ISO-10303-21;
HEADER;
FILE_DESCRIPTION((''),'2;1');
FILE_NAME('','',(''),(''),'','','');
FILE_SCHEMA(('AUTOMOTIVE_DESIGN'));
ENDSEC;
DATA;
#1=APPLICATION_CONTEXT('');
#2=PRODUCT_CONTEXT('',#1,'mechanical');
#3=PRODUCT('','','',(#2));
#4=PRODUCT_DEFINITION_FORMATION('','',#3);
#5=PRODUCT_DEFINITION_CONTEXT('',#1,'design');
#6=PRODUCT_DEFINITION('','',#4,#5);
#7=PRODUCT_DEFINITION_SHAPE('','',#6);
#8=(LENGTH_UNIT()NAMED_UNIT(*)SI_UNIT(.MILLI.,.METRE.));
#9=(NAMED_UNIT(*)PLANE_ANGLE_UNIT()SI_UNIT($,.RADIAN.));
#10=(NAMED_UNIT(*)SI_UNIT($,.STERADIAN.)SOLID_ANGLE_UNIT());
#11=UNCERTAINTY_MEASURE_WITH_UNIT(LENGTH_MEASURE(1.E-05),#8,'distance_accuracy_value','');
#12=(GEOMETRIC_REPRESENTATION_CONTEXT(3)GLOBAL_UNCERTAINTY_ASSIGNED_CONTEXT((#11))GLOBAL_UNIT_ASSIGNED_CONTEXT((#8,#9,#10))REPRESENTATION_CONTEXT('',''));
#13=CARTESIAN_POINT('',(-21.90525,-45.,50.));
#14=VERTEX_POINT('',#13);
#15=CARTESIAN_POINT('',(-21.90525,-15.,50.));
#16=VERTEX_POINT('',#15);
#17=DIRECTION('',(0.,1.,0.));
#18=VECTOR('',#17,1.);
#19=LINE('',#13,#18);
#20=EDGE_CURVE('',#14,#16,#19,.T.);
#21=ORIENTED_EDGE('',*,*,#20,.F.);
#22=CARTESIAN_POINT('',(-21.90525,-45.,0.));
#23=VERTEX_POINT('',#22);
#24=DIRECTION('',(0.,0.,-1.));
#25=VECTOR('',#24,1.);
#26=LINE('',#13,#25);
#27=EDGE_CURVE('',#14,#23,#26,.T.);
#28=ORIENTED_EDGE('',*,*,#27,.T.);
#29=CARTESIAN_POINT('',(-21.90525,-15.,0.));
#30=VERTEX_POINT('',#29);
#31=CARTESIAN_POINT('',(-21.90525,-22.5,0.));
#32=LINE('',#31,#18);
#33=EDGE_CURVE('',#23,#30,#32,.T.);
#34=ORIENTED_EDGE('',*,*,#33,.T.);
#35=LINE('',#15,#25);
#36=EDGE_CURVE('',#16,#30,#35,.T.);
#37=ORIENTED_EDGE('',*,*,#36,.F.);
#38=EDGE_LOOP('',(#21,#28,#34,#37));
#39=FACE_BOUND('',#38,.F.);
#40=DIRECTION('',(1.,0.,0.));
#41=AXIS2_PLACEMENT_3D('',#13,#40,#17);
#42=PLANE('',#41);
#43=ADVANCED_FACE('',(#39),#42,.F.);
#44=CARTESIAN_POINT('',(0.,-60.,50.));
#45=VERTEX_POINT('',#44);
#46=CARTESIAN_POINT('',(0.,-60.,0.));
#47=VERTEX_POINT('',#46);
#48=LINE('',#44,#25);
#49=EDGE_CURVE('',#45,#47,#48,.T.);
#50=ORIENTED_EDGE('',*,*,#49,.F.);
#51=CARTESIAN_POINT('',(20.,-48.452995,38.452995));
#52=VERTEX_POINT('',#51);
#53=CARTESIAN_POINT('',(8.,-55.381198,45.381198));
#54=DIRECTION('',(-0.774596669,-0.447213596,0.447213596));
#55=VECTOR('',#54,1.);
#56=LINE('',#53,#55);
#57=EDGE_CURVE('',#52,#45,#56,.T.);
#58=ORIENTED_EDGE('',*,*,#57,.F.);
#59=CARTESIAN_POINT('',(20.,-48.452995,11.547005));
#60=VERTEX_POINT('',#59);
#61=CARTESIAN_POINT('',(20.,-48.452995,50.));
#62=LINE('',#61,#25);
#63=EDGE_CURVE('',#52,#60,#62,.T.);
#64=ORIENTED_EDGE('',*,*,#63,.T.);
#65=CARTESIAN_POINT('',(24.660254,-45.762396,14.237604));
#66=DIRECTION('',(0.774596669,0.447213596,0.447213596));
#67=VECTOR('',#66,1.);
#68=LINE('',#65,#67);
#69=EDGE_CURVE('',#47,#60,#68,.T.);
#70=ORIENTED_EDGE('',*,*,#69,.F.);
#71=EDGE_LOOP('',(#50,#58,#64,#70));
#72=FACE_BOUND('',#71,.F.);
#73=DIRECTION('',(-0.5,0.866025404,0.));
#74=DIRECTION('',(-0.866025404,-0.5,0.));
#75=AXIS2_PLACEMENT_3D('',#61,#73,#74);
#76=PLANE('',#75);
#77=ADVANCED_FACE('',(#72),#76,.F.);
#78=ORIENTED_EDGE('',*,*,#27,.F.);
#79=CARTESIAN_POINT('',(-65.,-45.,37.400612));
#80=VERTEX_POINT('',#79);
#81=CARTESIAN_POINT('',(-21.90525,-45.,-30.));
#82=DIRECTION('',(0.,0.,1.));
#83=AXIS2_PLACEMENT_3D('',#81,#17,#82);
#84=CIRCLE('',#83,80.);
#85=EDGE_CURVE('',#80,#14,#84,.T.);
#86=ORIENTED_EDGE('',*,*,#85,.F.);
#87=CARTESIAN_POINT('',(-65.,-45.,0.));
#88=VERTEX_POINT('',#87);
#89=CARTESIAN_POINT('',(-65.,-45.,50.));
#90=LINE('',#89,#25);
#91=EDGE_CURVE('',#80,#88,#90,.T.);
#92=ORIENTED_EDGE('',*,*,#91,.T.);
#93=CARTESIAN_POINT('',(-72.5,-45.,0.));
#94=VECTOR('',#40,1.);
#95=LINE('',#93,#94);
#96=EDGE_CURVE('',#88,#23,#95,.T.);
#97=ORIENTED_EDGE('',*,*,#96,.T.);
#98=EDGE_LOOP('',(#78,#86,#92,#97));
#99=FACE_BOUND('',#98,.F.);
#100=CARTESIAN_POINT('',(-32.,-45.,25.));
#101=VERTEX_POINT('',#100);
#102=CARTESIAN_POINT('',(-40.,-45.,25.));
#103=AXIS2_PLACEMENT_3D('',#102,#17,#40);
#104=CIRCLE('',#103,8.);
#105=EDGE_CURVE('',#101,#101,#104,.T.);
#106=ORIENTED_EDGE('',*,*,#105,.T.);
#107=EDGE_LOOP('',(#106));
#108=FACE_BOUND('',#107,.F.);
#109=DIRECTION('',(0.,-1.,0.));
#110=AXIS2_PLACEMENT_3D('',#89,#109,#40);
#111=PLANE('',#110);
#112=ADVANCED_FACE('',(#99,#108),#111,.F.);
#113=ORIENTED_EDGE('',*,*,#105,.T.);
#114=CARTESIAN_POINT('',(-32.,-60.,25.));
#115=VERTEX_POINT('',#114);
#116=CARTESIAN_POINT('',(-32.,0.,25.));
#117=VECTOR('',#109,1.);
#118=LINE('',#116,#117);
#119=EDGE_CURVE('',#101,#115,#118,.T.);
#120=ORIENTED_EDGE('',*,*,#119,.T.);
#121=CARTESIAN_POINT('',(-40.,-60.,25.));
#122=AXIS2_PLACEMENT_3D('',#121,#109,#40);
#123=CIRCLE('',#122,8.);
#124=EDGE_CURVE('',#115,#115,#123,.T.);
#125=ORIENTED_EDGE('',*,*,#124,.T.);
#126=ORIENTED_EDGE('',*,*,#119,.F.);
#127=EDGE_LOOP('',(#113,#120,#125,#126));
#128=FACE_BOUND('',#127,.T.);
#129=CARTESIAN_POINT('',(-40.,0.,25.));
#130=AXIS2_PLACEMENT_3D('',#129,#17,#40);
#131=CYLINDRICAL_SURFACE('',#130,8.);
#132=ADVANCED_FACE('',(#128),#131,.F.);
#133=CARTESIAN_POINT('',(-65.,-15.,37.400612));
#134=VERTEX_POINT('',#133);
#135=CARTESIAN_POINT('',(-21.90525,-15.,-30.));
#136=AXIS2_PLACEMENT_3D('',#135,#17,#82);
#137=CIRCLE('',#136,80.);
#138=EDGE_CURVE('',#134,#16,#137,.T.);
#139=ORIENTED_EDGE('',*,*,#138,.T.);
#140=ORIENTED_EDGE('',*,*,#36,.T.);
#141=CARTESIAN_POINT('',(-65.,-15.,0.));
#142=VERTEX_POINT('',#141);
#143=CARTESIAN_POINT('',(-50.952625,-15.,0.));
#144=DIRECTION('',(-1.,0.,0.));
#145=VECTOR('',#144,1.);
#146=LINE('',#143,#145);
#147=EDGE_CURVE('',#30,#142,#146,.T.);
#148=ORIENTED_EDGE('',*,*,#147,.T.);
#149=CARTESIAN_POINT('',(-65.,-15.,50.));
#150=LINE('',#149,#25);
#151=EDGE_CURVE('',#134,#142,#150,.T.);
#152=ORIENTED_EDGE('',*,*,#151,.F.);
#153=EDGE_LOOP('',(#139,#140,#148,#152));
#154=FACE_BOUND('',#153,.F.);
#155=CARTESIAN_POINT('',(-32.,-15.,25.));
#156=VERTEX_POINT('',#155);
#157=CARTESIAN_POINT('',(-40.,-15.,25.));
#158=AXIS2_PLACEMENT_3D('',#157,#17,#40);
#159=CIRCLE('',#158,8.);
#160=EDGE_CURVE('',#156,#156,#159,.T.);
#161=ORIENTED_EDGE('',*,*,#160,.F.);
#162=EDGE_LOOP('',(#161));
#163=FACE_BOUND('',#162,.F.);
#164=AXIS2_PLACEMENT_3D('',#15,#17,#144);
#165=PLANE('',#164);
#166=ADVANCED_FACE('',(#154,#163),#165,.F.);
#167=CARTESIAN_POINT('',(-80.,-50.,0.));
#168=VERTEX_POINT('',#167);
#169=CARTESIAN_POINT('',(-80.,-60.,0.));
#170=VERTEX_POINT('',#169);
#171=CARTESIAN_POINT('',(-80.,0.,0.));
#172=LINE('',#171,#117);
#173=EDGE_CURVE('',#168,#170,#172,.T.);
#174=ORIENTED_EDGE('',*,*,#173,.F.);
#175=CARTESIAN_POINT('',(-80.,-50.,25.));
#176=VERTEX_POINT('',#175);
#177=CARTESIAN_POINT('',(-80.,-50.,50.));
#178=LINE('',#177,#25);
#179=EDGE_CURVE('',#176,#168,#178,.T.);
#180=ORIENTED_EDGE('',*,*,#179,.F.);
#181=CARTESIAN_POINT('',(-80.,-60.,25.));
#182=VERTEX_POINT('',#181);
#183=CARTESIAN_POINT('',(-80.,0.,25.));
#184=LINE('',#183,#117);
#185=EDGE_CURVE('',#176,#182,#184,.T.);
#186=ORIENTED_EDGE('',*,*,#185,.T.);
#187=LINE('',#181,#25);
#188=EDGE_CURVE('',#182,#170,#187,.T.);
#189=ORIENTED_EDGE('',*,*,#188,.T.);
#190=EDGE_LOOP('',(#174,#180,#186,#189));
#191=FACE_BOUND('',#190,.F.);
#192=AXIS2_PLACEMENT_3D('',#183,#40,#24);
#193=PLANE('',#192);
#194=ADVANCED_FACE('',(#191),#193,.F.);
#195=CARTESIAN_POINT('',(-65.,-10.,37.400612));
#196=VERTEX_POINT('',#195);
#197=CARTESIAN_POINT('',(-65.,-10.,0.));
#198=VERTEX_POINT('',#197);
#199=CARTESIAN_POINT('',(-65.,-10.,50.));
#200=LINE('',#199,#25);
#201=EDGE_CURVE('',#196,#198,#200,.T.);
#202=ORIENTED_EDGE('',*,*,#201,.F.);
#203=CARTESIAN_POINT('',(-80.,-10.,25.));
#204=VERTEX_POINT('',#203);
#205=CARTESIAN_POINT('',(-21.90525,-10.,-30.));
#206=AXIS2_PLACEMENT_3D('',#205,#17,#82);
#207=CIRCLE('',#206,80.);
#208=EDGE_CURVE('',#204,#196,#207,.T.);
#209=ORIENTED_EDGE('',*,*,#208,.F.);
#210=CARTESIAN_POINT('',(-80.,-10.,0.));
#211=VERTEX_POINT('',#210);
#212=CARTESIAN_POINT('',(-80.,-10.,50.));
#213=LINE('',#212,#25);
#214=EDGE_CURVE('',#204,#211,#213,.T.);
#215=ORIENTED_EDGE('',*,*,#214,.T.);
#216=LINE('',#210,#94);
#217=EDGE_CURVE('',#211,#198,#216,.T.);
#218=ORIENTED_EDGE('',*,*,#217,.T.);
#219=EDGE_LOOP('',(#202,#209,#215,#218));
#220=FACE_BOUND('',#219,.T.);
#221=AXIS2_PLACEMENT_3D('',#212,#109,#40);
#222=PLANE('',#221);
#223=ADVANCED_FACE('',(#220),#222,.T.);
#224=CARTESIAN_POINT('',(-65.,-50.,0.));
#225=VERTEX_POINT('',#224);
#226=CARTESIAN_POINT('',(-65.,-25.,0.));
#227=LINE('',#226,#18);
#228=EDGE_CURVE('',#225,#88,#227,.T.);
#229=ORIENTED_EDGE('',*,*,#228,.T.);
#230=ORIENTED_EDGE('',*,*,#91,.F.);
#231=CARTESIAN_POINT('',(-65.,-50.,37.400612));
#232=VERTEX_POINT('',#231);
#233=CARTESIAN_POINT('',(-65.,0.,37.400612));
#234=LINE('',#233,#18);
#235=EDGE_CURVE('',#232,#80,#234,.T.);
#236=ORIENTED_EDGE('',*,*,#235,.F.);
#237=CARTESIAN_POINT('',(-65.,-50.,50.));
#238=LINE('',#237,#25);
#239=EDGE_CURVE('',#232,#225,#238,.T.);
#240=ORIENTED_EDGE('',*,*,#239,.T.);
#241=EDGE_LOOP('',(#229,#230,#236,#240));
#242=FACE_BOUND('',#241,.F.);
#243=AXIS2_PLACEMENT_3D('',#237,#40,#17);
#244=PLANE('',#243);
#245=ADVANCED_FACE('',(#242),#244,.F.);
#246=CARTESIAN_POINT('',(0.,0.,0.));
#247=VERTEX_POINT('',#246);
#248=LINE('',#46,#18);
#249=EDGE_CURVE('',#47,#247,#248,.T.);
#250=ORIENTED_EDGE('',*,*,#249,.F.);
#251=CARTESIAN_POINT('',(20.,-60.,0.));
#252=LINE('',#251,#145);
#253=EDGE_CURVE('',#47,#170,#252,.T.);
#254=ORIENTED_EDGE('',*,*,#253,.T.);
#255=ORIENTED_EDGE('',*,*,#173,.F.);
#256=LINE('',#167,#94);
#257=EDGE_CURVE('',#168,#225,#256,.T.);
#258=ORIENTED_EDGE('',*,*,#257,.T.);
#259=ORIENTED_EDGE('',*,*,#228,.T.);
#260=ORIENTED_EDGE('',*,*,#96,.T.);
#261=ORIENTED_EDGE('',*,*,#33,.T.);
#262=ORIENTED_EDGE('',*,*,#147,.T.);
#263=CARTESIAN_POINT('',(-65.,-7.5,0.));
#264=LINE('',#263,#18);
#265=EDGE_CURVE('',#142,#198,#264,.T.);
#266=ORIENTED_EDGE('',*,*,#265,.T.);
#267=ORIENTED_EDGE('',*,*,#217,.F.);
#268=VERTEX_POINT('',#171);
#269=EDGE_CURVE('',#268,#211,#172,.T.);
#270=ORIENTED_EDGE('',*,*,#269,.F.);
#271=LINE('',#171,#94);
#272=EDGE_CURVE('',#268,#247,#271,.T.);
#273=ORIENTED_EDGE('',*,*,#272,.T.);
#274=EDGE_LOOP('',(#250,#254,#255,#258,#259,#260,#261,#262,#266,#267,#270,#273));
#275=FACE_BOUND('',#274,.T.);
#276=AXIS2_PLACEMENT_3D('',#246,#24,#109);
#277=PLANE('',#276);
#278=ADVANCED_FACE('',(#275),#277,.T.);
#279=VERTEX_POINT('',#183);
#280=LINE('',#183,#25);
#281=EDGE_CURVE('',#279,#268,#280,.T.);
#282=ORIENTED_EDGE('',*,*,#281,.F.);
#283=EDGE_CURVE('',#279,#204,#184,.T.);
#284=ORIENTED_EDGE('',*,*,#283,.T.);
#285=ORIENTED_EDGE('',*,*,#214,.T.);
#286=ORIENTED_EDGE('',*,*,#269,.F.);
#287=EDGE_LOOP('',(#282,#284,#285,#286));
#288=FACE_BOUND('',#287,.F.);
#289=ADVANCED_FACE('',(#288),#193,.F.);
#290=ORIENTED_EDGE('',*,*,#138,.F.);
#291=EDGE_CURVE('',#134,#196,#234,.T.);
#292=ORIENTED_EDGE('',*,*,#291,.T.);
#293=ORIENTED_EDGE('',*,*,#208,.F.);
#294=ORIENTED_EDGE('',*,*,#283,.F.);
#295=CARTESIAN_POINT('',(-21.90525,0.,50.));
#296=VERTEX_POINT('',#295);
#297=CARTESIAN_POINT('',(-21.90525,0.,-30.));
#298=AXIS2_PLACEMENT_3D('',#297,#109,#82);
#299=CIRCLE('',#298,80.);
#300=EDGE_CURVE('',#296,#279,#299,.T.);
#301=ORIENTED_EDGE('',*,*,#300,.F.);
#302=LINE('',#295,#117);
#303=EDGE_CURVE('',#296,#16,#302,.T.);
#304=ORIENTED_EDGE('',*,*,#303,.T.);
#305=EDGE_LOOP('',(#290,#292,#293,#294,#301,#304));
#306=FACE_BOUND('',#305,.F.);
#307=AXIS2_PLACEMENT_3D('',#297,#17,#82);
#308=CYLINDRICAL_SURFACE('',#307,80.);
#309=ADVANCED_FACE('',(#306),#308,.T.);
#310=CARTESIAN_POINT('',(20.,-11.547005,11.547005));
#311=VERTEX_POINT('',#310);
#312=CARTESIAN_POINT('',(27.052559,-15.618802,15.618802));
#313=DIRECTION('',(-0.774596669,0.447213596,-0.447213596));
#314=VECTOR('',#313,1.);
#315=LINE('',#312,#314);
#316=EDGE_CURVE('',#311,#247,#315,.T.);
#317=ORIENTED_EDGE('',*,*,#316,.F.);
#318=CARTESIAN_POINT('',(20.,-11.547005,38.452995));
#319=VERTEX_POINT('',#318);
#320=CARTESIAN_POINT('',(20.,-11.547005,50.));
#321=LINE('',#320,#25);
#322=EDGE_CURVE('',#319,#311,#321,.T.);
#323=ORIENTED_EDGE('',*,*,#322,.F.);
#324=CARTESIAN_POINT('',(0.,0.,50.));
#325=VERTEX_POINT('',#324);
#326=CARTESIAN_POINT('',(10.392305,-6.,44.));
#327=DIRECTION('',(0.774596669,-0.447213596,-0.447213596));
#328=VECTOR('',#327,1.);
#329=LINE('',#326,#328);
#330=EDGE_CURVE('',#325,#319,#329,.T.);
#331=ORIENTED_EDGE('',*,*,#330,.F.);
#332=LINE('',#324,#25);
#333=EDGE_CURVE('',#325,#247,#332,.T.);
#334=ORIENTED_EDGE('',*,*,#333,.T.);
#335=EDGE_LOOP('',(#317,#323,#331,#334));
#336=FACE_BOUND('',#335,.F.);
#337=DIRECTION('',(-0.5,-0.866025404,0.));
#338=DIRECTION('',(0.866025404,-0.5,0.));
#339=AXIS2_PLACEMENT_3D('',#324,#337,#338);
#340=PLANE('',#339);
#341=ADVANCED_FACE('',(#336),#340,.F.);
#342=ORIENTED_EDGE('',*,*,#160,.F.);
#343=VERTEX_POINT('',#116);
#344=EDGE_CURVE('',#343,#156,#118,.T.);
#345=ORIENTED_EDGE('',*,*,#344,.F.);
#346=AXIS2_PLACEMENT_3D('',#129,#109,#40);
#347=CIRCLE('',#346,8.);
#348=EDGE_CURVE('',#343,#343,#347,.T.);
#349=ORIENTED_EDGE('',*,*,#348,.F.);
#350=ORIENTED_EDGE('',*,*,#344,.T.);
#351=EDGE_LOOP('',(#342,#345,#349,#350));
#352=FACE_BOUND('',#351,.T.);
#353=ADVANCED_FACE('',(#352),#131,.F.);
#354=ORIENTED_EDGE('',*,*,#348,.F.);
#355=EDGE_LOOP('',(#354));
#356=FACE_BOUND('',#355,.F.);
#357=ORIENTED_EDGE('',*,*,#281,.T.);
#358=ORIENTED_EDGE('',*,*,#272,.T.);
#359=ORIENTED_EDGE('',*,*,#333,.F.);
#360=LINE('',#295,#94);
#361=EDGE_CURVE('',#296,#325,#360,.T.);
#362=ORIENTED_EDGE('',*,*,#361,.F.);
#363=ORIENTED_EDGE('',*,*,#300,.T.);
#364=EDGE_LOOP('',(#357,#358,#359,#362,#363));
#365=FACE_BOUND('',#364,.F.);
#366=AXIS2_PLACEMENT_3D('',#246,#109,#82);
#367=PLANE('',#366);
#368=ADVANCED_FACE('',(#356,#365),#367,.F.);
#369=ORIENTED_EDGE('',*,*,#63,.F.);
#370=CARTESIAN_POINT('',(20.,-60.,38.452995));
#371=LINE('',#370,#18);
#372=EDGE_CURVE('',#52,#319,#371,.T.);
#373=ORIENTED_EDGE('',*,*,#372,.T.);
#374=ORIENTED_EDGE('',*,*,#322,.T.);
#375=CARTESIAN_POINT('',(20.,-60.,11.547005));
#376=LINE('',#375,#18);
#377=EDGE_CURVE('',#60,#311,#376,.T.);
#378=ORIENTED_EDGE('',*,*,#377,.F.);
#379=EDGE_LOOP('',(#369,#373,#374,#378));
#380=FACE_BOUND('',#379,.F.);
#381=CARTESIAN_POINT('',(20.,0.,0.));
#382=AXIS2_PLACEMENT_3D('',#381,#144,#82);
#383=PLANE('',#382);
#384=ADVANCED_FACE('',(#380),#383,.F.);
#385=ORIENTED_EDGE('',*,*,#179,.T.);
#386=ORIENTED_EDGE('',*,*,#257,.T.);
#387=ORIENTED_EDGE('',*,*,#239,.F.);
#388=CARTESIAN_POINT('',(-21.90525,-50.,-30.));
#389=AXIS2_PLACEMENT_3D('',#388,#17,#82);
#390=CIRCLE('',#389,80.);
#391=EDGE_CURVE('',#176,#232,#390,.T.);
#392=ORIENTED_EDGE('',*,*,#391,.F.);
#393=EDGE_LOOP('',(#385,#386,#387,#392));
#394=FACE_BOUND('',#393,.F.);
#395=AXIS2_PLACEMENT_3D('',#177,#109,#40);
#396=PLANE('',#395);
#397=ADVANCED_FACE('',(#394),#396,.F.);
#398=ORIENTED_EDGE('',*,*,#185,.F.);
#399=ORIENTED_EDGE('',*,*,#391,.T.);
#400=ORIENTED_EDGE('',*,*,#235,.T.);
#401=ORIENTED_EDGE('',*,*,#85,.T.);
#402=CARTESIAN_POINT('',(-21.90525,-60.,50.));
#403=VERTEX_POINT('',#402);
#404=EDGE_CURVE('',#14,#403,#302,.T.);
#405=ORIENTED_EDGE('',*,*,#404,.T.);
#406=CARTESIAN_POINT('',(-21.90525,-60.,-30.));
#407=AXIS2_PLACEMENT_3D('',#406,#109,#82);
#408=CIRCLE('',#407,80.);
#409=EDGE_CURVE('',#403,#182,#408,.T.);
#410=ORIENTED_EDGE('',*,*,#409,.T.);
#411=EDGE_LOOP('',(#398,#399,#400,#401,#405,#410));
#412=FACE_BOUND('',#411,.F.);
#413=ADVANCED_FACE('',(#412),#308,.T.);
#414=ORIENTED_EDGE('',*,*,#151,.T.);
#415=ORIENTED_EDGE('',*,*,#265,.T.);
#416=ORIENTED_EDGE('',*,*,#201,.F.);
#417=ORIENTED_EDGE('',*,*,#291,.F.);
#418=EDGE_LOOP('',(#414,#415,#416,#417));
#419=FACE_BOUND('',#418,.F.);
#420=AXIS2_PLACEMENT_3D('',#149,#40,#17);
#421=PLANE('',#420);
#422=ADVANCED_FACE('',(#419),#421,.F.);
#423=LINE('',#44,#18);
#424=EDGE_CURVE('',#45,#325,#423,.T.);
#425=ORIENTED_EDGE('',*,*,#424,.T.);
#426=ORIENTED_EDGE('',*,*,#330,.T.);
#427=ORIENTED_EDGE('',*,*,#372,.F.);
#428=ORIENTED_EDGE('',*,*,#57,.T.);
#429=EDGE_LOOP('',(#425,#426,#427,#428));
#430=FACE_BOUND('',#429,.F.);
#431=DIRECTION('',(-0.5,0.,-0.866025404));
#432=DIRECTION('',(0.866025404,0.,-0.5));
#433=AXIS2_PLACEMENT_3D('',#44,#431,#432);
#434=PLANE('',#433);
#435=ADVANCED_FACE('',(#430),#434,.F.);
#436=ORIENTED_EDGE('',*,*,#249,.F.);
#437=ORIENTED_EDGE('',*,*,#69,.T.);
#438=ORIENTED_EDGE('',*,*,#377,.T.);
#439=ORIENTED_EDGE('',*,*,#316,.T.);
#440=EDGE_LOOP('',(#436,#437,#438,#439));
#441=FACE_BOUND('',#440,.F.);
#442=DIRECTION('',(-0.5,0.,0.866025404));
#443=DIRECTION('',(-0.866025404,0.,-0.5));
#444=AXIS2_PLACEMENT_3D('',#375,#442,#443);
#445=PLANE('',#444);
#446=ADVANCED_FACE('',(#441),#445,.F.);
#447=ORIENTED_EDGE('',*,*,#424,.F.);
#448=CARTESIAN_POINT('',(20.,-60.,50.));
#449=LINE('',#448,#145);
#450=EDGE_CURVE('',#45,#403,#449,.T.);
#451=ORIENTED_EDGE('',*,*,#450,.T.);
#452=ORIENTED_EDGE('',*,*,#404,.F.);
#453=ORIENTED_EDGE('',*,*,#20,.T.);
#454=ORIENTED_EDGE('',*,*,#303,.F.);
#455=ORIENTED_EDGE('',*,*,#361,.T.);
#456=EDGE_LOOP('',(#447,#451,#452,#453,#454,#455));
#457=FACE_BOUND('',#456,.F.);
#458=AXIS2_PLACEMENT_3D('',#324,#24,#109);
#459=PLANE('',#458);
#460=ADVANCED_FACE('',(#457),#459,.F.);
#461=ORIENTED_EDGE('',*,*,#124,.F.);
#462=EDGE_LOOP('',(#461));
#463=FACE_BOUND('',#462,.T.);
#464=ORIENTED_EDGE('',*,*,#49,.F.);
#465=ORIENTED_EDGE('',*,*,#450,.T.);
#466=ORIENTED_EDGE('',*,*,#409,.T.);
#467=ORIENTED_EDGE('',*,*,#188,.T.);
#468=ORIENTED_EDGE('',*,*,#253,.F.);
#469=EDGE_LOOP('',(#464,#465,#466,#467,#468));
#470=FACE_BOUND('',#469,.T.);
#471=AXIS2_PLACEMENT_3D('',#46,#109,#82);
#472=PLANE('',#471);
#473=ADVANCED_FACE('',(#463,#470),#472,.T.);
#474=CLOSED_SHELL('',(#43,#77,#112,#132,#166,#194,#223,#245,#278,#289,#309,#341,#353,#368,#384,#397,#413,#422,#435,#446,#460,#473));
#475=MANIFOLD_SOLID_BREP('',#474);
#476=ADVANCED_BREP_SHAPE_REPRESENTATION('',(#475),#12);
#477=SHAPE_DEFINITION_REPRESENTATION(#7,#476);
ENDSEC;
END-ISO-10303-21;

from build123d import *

# Parameters (mm, degrees)
F0_R     = 8
F1_DEPTH = 60
F2_W     = 15
F2_H     = 5
F3_DEPTH = 50.001
F4_DEPTH = 20
F6_DEPTH = 50.001
F8_DEPTH = 60.001


with BuildPart() as f1:
    # F0 (on Front) → F1 (new body)
    with BuildSketch(Plane.XZ):
        with BuildLine():
            Line((-80, 0), (0, 0))
            Line((0, 0), (0, 50))
            Line((0, 50), (-21.9052498069, 50))
            ThreePointArc((-21.9052498069, 50), (-53.5280264086, 43.4846922835), (-80, 25))
            Line((-80, 25), (-80, 0))
        make_face()
        with Locations((-40, 25)):
            Circle(F0_R, mode=Mode.SUBTRACT)
    extrude(amount=F1_DEPTH)

    # F2 (on face) → F3 (cut, through all)
    with BuildSketch(Plane.XY.offset(50)):
        with Locations((-72.5, -12.5)):
            Rectangle(F2_W, F2_H)
        Polygon((-65, -15), (-80, -15), (-80, -45), (-65, -45), (-21.9052498069, -45), (-21.9052498069, -15), align=None)
        with Locations((-72.5, -47.5)):
            Rectangle(F2_W, F2_H)
    extrude(amount=-F3_DEPTH, mode=Mode.SUBTRACT)

    # F4 (add): a face of the model
    f4_faces = [f1.faces().sort_by_distance(p)[0] for p in [
        (0, -30, 25),
    ]]
    extrude(f4_faces, amount=F4_DEPTH)

    # F5 (on face) → F6 (cut, through all)
    with BuildSketch(Plane.XY.offset(50)):
        Polygon((20, 0), (0, 0), (20, -11.5470053838), align=None)
        Polygon((20, -60), (20, -48.4529946162), (0, -60), align=None)
    extrude(amount=-F6_DEPTH, mode=Mode.SUBTRACT)

    # F7 (on face) → F8 (cut, through all)
    with BuildSketch(Plane.XZ.offset(60)):
        Polygon((20, 50), (0, 50), (20, 38.4529946162), align=None)
        Polygon((20, 11.5470053838), (0, 0), (20, 0), align=None)
    extrude(amount=-F8_DEPTH, mode=Mode.SUBTRACT)


solid = f1.part
